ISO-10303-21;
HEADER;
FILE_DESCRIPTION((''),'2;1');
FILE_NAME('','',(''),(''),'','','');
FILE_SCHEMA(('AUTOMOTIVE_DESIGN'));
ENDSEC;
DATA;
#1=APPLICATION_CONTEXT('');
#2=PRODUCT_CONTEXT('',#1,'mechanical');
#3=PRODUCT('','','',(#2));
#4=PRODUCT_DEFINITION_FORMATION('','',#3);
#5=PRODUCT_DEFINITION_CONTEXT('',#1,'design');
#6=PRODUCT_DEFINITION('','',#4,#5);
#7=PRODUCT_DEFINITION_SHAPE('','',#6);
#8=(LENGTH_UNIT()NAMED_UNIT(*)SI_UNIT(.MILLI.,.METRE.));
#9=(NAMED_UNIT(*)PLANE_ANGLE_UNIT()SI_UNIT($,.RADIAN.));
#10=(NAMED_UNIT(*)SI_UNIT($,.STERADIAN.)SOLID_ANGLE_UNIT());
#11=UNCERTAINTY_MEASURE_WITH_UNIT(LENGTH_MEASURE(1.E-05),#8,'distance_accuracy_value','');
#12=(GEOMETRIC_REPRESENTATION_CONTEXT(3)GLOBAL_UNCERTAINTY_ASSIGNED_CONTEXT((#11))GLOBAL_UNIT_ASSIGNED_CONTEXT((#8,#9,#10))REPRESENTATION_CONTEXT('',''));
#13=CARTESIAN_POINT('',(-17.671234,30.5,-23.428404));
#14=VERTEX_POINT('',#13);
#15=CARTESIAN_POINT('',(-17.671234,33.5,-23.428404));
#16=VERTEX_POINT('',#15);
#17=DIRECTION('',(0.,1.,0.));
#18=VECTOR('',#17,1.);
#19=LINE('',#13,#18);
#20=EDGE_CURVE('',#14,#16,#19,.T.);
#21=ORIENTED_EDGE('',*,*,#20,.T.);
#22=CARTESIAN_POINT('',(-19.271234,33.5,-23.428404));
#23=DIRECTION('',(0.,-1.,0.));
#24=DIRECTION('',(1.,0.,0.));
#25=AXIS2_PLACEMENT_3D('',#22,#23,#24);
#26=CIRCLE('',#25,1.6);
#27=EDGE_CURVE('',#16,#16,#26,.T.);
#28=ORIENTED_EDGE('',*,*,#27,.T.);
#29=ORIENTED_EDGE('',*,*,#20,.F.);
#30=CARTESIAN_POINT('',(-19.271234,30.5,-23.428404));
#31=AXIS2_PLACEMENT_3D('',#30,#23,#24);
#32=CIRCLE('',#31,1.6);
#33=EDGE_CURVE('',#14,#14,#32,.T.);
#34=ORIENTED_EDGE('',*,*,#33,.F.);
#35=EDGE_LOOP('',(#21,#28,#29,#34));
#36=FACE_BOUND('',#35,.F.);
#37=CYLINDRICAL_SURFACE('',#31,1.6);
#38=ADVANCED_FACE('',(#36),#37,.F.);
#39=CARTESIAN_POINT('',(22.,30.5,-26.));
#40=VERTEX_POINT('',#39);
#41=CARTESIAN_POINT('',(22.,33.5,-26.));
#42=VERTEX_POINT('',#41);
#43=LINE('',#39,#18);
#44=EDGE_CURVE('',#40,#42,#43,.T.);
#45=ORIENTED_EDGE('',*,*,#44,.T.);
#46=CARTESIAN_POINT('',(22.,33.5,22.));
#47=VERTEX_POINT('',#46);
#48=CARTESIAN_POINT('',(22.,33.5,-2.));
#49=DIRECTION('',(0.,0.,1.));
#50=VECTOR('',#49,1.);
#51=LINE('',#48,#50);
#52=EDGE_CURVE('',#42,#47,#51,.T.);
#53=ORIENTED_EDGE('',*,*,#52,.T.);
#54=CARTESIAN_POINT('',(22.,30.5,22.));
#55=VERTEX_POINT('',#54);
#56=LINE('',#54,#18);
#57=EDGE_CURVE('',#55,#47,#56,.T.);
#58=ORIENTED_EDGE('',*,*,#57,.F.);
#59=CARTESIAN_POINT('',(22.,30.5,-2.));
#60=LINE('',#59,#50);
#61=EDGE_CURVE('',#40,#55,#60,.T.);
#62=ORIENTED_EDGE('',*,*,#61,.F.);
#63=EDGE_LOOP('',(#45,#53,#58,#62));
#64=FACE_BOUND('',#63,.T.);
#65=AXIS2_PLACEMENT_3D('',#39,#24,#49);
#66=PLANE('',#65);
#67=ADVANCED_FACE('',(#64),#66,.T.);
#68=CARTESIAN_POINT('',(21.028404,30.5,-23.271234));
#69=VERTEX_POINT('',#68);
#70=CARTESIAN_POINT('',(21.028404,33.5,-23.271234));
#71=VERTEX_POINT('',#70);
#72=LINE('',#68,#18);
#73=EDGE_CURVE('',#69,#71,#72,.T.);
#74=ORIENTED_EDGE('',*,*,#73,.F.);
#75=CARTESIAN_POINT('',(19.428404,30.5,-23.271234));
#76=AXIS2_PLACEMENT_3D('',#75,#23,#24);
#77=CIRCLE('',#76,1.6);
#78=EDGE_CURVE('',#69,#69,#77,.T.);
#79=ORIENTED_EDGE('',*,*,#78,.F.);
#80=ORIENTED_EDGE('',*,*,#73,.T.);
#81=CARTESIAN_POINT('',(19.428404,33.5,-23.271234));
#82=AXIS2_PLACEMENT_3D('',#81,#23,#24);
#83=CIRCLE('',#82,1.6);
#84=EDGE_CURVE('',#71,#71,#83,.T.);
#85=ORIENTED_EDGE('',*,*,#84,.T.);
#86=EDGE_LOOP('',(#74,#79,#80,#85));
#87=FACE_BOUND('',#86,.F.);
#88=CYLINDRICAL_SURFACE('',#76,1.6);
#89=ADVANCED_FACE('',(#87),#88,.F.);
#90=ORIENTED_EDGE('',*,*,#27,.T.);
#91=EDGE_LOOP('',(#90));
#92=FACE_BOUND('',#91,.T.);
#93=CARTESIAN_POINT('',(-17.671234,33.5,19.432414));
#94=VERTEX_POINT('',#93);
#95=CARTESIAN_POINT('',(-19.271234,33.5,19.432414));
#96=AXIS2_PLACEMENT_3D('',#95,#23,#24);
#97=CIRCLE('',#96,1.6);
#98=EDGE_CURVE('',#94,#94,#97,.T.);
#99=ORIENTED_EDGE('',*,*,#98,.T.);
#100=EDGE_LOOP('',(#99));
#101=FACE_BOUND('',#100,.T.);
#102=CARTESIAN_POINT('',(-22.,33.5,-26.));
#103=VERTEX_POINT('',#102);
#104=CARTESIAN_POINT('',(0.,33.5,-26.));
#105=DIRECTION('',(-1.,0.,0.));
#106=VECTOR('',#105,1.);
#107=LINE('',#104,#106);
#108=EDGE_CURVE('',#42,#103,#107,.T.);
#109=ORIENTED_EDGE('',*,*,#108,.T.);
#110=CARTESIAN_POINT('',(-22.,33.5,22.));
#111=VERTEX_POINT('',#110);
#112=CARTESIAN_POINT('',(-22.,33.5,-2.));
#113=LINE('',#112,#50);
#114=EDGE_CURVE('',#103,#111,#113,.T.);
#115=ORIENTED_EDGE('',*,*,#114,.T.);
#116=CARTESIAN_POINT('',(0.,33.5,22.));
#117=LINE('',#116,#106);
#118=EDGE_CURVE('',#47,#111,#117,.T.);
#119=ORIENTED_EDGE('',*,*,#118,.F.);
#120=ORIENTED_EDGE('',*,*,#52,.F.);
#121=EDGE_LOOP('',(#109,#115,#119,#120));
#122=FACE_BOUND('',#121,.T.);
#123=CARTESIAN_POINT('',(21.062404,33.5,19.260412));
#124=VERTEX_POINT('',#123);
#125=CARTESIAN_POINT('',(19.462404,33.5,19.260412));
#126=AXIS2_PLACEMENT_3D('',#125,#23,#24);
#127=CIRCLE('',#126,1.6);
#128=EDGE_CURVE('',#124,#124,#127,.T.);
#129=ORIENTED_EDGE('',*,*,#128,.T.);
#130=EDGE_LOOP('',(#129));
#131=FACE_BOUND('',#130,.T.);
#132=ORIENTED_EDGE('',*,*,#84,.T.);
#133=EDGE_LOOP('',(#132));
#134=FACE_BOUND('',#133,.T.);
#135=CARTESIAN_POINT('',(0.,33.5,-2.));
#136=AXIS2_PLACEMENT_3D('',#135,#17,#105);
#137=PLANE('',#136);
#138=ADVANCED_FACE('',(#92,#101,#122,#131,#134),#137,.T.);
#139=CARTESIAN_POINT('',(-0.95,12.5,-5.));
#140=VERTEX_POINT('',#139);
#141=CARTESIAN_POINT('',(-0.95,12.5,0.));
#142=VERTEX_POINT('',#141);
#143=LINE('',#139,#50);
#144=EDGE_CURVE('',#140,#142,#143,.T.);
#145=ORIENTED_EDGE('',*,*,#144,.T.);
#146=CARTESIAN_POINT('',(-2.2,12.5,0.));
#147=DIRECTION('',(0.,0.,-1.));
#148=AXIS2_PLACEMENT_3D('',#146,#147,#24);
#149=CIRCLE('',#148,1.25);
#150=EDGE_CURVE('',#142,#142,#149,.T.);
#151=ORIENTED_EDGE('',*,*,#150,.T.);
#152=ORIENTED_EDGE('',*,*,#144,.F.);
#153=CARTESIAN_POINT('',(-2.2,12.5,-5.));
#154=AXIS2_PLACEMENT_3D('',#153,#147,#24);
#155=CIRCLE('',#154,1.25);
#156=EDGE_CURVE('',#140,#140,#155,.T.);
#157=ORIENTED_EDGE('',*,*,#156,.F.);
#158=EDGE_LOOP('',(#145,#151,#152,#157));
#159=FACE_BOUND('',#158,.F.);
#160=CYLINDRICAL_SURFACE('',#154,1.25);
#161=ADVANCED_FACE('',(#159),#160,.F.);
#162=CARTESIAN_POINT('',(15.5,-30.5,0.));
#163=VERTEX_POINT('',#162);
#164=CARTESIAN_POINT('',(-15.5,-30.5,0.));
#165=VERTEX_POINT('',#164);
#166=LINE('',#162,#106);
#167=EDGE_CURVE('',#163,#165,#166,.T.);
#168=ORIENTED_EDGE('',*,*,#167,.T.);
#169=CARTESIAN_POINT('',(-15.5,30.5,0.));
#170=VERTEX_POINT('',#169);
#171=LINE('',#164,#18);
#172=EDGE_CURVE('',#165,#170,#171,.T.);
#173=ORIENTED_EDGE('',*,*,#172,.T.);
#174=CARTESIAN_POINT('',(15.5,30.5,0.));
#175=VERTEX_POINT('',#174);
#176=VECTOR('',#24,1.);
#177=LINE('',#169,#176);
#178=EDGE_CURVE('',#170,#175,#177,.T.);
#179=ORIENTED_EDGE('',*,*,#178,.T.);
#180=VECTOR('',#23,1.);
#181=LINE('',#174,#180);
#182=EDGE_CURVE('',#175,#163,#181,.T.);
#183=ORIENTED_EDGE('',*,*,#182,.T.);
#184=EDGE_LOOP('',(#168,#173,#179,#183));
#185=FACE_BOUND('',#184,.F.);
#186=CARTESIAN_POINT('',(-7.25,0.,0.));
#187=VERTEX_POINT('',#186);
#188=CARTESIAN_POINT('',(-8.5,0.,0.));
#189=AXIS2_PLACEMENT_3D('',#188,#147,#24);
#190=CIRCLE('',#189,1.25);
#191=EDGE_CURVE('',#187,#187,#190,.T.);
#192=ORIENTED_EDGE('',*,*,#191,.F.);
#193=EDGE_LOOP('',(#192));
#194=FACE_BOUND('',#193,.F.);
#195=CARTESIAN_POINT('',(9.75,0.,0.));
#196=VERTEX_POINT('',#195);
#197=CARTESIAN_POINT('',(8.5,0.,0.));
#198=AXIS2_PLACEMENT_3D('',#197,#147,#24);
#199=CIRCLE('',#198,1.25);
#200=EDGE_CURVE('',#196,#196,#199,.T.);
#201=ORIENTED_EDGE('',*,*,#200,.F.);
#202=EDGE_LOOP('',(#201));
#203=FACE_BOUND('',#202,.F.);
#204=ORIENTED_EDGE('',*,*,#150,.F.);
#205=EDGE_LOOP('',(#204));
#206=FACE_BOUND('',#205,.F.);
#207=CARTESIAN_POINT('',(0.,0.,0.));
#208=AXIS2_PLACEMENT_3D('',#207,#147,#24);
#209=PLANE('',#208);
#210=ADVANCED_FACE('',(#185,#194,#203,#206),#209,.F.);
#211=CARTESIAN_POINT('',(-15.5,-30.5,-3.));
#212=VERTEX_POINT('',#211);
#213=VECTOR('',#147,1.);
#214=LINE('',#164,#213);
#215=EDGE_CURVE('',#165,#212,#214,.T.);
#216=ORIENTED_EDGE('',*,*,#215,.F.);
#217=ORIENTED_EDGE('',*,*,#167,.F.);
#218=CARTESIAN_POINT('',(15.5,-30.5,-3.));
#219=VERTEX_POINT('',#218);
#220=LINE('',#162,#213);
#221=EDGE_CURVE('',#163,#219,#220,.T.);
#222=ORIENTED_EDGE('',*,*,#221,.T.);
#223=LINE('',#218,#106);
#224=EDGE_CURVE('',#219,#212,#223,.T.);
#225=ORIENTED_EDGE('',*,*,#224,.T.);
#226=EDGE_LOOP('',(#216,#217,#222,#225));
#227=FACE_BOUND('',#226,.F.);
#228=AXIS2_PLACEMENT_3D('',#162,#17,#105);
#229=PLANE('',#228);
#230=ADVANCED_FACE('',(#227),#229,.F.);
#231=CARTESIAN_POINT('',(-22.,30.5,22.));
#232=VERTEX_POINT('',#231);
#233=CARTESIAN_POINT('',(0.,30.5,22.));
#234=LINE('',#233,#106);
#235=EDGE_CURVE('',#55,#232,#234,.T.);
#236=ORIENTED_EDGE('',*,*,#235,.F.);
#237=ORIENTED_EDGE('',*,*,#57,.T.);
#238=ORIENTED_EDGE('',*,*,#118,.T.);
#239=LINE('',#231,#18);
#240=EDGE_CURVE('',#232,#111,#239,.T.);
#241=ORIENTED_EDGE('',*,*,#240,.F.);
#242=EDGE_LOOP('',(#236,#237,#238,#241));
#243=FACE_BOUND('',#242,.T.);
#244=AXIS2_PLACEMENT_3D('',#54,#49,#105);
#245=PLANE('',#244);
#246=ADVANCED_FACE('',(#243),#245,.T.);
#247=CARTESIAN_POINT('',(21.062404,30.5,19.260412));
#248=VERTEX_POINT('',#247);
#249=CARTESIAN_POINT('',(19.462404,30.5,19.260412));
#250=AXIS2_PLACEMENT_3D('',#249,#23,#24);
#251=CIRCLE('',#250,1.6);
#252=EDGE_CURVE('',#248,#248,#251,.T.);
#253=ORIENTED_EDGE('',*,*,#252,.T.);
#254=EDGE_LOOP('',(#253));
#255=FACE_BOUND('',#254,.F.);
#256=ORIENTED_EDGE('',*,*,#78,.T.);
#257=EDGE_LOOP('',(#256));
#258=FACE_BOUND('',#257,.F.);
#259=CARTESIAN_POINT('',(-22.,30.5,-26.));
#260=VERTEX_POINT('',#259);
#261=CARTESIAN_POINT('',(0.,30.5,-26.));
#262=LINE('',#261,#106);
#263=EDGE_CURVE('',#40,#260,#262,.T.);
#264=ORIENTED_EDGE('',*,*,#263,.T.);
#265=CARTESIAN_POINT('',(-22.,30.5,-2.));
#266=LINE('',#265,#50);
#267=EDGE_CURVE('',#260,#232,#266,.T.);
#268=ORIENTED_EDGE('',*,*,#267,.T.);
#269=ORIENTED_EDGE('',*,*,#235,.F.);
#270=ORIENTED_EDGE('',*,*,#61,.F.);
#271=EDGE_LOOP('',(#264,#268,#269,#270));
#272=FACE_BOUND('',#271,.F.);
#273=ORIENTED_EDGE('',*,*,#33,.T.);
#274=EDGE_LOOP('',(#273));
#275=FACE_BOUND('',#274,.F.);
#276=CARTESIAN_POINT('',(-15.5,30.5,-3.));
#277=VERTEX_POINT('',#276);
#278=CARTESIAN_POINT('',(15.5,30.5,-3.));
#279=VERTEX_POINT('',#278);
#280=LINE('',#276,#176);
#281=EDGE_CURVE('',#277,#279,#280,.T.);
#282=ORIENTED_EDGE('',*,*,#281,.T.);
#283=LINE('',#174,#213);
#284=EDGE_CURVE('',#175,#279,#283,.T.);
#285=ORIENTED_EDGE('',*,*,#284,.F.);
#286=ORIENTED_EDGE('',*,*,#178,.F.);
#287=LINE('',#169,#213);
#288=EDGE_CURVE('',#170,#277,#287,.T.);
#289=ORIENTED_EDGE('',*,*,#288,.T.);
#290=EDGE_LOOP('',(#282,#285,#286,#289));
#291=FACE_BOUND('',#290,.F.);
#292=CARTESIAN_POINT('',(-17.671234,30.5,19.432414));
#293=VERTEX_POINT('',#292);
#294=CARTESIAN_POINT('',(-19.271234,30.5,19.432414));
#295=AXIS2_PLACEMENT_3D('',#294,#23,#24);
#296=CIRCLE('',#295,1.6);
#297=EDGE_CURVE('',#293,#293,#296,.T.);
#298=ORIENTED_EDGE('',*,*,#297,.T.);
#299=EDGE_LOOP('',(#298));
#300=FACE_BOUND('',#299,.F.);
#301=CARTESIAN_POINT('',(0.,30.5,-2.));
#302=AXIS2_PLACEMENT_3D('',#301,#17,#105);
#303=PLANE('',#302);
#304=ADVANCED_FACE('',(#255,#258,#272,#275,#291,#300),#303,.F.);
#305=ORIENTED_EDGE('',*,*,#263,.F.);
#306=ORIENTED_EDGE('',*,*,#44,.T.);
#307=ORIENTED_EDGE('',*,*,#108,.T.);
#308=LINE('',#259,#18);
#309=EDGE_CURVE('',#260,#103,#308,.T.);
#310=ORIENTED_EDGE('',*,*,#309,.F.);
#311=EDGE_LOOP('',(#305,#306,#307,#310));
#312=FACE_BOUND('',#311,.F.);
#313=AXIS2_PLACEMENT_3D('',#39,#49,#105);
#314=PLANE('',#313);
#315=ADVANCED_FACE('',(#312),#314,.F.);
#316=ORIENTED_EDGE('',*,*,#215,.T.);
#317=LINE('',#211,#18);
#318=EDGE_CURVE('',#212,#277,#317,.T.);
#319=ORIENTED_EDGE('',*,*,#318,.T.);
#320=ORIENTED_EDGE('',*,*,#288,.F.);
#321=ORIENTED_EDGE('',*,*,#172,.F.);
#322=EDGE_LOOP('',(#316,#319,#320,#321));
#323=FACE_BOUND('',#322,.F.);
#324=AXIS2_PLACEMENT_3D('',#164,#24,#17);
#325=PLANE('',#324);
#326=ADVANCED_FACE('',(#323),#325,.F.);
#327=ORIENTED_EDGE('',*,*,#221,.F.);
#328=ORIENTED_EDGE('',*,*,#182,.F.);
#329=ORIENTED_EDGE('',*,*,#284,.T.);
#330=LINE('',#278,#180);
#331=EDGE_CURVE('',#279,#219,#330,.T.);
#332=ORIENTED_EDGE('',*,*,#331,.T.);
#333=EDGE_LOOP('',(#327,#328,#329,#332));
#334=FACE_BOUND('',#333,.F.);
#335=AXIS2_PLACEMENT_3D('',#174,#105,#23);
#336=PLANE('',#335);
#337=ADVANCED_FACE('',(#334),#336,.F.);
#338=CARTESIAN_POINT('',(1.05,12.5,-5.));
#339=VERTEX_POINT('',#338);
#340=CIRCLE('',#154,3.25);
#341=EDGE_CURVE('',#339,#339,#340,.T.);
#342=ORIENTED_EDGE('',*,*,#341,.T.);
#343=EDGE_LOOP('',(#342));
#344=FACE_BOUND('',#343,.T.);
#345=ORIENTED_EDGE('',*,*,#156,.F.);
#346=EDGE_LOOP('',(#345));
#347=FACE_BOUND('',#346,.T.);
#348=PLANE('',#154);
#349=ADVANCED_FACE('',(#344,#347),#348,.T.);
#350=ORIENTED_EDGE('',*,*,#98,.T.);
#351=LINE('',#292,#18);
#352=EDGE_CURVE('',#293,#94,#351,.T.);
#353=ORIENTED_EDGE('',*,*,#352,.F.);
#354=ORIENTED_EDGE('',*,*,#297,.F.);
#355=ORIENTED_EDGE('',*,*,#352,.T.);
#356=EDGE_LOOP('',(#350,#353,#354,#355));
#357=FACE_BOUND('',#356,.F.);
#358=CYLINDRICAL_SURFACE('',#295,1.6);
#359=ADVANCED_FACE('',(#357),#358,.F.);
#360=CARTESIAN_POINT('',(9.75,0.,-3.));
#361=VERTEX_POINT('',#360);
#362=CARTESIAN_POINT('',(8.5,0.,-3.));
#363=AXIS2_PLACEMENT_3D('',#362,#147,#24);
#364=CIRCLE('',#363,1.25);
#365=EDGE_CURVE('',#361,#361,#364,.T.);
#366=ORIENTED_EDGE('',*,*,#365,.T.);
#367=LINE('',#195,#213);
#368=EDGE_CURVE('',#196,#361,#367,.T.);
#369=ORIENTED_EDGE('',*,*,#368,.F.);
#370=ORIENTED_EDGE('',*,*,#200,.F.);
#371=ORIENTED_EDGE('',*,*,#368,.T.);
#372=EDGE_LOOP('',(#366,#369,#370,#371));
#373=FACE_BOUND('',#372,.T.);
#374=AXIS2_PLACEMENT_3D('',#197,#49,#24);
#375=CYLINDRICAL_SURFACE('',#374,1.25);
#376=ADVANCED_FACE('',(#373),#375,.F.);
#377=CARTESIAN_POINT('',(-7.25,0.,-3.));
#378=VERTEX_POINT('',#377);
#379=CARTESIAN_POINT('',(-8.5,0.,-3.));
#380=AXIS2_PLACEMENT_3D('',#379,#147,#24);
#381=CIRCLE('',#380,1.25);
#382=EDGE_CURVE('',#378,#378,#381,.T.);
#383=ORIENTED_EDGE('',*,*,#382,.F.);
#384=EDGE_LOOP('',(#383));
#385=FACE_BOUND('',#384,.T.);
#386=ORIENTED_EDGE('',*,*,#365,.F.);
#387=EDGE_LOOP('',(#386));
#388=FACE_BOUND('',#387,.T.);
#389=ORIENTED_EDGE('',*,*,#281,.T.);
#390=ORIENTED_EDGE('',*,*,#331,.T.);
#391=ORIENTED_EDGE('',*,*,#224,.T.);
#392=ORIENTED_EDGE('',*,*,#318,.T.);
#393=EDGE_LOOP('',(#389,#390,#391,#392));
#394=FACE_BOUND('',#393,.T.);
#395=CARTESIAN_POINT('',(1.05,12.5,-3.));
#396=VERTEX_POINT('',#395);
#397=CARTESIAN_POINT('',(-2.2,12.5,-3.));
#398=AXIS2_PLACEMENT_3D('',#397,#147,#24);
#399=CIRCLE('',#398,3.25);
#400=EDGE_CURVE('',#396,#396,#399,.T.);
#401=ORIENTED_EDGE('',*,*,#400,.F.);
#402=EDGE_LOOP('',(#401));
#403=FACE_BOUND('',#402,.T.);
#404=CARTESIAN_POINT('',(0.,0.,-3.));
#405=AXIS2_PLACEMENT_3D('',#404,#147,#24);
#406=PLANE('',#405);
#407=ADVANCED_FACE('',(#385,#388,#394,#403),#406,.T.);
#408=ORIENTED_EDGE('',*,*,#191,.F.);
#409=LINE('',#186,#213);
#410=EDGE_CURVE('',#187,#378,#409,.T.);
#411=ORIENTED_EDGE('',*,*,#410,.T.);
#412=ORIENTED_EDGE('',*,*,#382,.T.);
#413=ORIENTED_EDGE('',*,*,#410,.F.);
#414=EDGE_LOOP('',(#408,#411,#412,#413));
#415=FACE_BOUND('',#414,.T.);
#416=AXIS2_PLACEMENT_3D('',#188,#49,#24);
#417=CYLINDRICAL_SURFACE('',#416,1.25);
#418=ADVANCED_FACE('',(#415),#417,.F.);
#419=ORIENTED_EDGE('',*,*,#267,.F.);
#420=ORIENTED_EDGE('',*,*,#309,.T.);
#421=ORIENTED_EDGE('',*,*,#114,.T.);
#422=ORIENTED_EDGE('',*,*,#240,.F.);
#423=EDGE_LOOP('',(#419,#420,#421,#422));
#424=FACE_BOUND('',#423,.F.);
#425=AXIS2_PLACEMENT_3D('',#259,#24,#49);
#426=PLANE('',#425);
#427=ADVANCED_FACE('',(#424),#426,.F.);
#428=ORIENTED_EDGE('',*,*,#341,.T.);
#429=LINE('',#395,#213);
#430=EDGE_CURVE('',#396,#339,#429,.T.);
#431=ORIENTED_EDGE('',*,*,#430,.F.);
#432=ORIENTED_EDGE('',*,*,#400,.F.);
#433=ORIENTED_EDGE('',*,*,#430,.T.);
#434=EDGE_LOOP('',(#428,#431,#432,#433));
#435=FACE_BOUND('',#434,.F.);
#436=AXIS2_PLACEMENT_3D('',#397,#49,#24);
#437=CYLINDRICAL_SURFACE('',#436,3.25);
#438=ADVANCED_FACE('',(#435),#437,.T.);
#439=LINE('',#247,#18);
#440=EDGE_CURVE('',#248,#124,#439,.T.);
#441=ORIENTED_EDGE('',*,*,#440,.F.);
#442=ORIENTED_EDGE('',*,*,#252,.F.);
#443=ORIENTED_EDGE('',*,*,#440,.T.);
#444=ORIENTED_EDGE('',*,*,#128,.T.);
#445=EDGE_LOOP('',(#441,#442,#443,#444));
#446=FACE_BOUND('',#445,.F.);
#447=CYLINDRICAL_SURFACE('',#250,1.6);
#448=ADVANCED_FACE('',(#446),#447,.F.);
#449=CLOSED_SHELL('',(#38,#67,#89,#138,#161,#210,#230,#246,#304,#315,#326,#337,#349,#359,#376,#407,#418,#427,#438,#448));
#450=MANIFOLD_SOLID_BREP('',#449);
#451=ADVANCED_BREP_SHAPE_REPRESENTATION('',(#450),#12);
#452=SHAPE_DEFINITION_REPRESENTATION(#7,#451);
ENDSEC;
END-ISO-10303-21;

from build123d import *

# Parameters (mm, degrees)
SKETCH_R        = 1.25
PAD_DEPTH       = 3
SKETCH002_W     = 44
SKETCH002_H     = 48
PAD001_DEPTH    = 3
SKETCH006_R     = 1.6
POCKET001_DEPTH = 3
SKETCH007_R     = 3.25
PAD004_DEPTH    = 2
SKETCH008_R     = 1.25
POCKET002_DEPTH = 5


with BuildPart() as part:
    # Sketch (on Face1 of Binder) → Pad (new body)
    with BuildSketch(Plane(origin=(0, 0, 0), x_dir=(1, 0, 0), z_dir=(0, 0, -1))):
        Polygon((-15.5, 28.5), (-15.5, -28.5), (-15.5, -30.5), (15.5, -30.5), (15.5, -28.5), (15.5, 28.5), (15.5, 30.5), (-15.5, 30.5), align=None)
        with Locations((-8.5, 0)):
            Circle(SKETCH_R, mode=Mode.SUBTRACT)
        with Locations((8.5, 0)):
            Circle(SKETCH_R, mode=Mode.SUBTRACT)
    extrude(amount=PAD_DEPTH)

    # Sketch002 (on Face1 of Pad) → Pad001 (join)
    with BuildSketch(Plane(origin=(0, 30.5, 0), x_dir=(-1, 0, 0), z_dir=(0, 1, 0))):
        with Locations((0, -2)):
            Rectangle(SKETCH002_W, SKETCH002_H)
    extrude(amount=PAD001_DEPTH)

    # Sketch006 (on Face3 of Pad001) → Pocket001 (cut)
    with BuildSketch(Plane.XZ.offset(-30.5)):
        with Locations((-19.271234, 19.432414)):
            Circle(SKETCH006_R)
        with Locations((19.462404, 19.260412)):
            Circle(SKETCH006_R)
        with Locations((19.428404, -23.271234)):
            Circle(SKETCH006_R)
        with Locations((-19.271234, -23.428404)):
            Circle(SKETCH006_R)
    extrude(amount=-POCKET001_DEPTH, mode=Mode.SUBTRACT)

    # Sketch007 (on Face8 of Pocket001) → Pad004 (join)
    with BuildSketch(Plane(origin=(0, 0, -3), x_dir=(1, 0, 0), z_dir=(0, 0, -1))):
        with Locations((-2.2, -12.5)):
            Circle(SKETCH007_R)
    extrude(amount=PAD004_DEPTH)

    # Sketch008 (on Face19 of Pad004) → Pocket002 (cut)
    with BuildSketch(Plane(origin=(0, 0, -5), x_dir=(1, 0, 0), z_dir=(0, 0, -1))):
        with Locations((-2.2, -12.5)):
            Circle(SKETCH008_R)
    extrude(amount=-POCKET002_DEPTH, mode=Mode.SUBTRACT)


solid = part.part
